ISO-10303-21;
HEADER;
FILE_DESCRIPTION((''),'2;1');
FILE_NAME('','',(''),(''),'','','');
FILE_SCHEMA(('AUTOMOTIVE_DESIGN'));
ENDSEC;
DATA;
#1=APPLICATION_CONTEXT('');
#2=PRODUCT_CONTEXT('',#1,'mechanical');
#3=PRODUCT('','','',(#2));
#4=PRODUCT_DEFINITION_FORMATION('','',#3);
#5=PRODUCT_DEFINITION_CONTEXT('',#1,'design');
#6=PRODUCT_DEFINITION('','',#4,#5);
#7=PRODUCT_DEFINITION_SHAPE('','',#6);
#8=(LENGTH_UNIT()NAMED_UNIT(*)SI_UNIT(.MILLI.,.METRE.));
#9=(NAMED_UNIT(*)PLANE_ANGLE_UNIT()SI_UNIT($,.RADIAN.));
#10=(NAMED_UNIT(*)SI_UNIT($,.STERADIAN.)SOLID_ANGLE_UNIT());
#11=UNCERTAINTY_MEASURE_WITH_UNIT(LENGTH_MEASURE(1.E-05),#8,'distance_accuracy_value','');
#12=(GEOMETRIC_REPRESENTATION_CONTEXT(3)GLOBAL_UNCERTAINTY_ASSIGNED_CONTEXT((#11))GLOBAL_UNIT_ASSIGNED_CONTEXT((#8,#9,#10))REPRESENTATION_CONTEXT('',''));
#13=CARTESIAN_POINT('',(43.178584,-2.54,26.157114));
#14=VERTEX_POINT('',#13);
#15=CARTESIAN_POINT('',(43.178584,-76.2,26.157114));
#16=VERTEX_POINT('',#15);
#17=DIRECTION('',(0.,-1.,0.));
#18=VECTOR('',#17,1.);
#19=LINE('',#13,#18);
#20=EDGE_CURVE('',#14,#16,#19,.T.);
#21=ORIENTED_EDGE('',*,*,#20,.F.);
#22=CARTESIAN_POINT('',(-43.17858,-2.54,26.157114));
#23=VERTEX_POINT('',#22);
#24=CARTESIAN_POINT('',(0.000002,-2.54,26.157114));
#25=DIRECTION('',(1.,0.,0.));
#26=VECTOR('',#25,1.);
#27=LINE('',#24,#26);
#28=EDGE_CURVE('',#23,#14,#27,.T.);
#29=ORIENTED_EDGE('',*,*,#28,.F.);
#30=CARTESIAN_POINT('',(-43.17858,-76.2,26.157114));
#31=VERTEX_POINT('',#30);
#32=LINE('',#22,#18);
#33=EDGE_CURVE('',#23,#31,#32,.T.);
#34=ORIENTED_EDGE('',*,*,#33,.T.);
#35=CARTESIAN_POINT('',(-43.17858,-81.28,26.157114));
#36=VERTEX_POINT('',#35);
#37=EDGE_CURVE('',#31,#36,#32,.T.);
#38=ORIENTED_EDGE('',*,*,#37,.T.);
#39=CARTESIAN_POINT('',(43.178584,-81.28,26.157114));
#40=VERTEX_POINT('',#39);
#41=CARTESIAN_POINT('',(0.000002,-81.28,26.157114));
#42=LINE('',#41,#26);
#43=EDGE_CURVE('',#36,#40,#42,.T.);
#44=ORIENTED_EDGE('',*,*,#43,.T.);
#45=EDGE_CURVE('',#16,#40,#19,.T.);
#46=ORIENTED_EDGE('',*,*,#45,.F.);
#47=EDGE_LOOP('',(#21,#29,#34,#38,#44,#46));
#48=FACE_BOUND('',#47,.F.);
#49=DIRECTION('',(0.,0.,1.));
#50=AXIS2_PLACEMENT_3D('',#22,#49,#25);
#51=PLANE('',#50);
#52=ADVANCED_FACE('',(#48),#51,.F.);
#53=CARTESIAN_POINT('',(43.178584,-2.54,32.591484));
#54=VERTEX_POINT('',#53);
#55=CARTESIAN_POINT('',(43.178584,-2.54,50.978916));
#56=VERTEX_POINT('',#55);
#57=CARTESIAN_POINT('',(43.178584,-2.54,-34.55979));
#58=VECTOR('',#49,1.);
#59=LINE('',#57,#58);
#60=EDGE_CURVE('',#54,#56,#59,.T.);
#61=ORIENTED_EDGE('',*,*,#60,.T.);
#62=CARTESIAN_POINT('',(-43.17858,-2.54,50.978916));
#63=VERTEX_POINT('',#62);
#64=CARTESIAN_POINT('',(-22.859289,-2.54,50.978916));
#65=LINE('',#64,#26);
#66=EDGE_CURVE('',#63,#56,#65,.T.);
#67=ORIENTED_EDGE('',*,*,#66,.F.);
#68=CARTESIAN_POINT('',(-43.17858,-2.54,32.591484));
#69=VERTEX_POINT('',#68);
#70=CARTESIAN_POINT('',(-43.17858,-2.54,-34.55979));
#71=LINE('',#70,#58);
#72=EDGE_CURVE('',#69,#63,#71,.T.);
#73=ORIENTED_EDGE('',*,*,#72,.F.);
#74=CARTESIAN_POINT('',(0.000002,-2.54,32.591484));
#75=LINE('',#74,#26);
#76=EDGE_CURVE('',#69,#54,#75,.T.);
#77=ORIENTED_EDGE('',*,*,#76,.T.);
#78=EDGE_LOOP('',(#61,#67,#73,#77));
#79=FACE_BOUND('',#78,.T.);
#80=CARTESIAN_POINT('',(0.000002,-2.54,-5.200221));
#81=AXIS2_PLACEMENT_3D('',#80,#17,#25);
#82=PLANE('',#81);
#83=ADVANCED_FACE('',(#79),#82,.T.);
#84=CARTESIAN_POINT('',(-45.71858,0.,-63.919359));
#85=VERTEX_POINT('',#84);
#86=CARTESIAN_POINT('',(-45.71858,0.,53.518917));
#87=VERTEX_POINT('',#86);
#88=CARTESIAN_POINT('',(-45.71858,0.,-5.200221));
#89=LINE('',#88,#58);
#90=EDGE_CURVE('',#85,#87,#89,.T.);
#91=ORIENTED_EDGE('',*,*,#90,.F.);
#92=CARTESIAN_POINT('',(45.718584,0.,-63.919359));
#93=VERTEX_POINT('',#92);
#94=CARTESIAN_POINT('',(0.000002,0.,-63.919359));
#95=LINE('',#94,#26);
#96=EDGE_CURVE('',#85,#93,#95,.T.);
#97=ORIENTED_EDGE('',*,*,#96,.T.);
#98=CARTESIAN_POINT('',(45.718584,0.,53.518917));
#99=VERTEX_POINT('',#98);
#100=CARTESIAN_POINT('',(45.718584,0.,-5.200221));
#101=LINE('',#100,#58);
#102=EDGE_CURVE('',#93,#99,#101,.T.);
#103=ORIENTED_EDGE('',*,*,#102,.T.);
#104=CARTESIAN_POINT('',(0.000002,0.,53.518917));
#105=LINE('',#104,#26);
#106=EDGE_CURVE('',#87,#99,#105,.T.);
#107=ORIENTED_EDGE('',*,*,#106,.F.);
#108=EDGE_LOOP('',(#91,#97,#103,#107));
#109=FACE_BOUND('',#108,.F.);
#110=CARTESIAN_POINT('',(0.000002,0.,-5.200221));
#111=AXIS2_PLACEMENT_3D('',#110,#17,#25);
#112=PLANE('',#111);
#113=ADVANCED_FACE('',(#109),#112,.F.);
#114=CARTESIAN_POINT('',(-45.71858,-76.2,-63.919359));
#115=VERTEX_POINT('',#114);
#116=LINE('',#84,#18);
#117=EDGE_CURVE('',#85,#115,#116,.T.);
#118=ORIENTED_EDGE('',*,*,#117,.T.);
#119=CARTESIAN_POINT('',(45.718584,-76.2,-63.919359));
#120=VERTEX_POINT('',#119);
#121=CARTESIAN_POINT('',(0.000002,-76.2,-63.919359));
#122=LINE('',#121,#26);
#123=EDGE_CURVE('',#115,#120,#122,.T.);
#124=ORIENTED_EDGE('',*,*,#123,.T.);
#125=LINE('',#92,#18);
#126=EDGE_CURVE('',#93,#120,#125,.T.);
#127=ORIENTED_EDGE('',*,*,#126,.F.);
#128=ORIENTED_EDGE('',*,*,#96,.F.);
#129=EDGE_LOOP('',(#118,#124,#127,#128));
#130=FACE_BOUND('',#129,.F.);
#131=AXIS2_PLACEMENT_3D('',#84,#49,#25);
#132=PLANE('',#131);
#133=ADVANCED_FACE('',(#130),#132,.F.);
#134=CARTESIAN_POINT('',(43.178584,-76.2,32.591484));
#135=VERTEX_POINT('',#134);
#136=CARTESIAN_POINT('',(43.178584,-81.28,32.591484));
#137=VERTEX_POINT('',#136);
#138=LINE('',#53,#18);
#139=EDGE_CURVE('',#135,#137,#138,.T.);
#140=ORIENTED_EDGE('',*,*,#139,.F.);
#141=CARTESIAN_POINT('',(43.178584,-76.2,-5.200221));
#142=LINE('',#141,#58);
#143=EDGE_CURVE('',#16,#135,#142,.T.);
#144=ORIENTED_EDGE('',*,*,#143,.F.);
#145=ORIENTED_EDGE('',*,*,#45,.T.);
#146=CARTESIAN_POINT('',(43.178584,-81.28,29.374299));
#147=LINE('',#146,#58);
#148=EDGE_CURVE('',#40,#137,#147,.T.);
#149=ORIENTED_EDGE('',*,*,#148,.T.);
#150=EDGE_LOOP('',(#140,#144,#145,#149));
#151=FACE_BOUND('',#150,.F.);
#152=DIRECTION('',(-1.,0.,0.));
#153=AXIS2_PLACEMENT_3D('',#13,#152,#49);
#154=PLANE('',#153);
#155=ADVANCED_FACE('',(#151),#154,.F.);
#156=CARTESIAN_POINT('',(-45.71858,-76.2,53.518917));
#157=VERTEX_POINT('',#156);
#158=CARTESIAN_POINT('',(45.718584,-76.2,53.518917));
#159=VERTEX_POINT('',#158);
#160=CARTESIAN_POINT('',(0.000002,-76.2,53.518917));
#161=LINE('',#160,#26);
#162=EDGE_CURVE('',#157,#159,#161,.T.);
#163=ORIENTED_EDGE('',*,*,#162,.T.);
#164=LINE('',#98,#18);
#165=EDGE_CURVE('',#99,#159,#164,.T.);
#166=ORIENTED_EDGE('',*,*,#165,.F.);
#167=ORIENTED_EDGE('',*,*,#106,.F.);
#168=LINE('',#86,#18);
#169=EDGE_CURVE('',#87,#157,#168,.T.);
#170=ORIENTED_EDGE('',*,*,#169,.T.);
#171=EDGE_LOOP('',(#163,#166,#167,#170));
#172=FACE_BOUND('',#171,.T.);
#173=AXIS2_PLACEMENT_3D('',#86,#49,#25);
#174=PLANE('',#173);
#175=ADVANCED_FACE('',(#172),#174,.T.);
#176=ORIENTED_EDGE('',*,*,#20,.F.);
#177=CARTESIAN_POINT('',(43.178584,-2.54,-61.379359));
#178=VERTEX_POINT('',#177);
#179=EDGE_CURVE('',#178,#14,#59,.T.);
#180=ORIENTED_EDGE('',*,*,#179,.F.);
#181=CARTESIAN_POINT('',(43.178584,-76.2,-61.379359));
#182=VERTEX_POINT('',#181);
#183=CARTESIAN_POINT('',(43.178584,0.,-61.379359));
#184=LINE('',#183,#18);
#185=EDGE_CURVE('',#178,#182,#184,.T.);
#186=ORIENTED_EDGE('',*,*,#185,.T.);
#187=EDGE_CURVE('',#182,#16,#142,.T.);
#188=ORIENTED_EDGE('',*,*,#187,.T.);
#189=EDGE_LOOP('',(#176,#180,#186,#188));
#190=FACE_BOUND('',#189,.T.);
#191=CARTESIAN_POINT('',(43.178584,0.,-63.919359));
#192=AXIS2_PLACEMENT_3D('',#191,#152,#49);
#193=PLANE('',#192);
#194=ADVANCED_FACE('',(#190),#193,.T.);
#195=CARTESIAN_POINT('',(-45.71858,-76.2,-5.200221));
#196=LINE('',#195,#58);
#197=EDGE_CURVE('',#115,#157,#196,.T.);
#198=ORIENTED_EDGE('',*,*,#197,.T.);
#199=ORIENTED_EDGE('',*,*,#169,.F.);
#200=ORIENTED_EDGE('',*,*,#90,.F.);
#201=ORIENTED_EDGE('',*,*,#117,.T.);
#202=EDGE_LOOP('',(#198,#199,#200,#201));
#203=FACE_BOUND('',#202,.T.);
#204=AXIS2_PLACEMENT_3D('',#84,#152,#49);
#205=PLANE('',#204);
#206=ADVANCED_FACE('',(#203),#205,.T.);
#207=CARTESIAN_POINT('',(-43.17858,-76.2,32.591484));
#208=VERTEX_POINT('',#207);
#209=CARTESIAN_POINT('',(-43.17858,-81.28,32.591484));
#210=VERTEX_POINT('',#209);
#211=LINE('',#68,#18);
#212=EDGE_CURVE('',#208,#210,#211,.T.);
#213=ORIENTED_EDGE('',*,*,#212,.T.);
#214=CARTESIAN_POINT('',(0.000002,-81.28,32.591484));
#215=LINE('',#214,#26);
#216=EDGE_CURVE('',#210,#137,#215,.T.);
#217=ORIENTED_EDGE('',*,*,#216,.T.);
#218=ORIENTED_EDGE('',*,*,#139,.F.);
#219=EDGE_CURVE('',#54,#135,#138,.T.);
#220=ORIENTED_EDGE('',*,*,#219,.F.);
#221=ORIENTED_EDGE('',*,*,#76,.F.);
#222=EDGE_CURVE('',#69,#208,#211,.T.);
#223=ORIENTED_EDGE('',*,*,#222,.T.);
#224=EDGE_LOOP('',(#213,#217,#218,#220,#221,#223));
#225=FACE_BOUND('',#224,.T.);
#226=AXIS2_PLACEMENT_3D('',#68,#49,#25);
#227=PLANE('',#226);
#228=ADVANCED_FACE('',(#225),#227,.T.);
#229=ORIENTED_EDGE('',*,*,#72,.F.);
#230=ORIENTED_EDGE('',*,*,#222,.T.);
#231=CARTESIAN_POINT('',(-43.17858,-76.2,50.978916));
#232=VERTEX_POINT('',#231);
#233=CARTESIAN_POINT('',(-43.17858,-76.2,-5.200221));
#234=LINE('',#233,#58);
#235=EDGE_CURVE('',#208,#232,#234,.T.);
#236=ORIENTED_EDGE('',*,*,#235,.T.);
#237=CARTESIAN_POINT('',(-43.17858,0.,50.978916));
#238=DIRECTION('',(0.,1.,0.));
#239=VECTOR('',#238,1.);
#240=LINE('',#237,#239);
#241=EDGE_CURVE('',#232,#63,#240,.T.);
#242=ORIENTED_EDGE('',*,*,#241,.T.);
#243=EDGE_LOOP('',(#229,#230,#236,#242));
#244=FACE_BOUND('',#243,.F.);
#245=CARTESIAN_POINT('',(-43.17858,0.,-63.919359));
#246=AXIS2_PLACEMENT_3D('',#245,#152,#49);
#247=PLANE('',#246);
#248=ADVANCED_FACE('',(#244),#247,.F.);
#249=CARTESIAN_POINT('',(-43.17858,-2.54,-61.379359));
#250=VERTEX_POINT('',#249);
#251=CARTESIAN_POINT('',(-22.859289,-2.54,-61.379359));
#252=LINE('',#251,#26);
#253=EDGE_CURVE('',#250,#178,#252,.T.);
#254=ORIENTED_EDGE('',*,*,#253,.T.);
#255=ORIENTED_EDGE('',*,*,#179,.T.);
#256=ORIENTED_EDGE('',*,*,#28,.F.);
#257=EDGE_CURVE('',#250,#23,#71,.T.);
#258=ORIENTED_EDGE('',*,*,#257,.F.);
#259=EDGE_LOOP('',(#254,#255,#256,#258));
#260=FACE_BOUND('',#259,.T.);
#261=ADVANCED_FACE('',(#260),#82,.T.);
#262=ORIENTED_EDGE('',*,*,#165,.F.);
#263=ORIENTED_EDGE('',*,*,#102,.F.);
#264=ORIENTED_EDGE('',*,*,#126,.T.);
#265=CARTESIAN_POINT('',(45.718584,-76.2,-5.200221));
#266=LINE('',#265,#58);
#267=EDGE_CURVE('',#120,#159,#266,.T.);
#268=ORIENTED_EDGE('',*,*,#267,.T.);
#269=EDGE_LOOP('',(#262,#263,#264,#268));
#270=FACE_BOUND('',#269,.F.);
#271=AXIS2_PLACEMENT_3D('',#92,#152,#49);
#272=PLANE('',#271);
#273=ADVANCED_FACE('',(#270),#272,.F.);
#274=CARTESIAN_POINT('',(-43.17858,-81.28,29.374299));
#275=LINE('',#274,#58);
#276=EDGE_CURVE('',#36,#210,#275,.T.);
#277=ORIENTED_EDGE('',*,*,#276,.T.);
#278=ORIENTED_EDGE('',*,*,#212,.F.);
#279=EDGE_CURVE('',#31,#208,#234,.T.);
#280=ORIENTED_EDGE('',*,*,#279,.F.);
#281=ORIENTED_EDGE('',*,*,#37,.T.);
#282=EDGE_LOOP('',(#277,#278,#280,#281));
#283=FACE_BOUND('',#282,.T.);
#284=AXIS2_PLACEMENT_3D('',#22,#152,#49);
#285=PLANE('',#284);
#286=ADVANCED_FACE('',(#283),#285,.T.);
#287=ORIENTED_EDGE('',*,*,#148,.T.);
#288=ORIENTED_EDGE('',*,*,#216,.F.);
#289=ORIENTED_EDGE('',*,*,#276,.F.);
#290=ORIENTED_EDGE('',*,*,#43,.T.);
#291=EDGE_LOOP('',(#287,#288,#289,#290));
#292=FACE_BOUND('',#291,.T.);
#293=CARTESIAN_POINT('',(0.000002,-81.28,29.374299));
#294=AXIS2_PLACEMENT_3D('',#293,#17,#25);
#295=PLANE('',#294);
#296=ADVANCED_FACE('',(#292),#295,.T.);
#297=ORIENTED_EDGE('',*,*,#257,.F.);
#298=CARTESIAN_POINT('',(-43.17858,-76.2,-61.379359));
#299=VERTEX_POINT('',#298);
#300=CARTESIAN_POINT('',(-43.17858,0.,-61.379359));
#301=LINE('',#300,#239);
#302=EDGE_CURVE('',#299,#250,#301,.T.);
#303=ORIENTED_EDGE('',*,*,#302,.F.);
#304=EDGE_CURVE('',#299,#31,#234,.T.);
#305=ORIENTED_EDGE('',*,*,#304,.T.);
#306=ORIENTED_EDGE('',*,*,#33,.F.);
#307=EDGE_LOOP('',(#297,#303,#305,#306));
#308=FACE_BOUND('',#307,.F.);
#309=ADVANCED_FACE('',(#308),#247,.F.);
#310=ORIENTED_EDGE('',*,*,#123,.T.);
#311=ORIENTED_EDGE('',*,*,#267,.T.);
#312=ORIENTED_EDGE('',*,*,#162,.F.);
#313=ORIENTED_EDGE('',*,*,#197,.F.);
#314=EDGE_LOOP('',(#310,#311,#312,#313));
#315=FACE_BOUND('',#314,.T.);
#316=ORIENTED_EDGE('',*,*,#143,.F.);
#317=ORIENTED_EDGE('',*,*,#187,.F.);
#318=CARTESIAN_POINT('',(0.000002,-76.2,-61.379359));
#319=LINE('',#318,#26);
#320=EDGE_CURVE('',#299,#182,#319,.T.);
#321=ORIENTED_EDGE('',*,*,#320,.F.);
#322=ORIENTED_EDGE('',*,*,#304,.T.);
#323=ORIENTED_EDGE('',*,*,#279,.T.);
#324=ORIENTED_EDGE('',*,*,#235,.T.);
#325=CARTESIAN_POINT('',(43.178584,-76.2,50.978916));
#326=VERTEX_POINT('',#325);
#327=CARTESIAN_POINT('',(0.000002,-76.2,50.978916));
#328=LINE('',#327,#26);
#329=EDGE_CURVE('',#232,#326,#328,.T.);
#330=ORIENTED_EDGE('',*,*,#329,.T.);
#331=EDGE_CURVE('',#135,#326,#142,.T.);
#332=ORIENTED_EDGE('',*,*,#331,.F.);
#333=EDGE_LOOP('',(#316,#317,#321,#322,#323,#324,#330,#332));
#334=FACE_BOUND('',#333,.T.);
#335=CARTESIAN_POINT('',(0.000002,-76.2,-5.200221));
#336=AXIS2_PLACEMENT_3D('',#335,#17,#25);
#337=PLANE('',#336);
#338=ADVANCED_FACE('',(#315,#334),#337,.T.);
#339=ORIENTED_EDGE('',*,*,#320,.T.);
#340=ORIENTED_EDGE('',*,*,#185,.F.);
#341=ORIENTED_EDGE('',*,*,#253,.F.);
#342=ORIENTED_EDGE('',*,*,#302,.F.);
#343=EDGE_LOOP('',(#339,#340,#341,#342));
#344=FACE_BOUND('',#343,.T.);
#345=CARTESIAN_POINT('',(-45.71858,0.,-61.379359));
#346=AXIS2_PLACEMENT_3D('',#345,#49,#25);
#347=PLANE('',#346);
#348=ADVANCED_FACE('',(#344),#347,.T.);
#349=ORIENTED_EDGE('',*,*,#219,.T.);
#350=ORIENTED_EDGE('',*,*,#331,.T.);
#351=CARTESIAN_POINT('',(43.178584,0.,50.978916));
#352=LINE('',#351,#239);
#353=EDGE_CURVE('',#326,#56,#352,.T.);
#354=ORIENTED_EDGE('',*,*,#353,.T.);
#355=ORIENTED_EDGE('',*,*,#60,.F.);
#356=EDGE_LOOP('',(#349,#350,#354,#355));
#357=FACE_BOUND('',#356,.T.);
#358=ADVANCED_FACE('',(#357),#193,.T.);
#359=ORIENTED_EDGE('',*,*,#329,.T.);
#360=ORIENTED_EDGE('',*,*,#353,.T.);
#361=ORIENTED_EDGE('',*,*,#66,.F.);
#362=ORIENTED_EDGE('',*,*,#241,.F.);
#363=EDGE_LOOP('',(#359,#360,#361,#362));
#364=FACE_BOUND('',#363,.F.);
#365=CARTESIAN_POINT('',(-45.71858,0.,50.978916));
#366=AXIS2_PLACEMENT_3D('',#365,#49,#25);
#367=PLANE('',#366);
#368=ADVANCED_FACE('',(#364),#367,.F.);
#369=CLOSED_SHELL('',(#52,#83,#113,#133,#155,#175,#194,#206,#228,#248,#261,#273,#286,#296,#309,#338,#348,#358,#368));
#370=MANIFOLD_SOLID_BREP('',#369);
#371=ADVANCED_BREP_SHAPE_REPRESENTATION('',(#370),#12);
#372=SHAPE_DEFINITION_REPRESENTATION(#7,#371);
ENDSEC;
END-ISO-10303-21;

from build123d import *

# Parameters (mm, degrees)
F0_W     = 91.437164
F0_H     = 117.438275
F1_DEPTH = 76.2
F2_T     = -2.54
F3_W     = 86.357164
F3_H     = 6.434369
F4_DEPTH = 78.74


with BuildPart() as f1:
    # F0 (on Front) → F1 (new body)
    with BuildSketch(Plane.XZ):
        with Locations((2e-06, -5.200221)):
            Rectangle(F0_W, F0_H)
    extrude(amount=F1_DEPTH)

    # F2
    f2_openings = [f1.faces().sort_by_distance(p)[0] for p in [
        (2e-06, -76.2, -5.20022),
    ]]
    offset(amount=F2_T, openings=f2_openings)

    # F3 (on face) → F4 (join)
    with BuildSketch(Plane.XZ.offset(2.54)):
        with Locations((2e-06, 29.374299)):
            Rectangle(F3_W, F3_H)
    extrude(amount=F4_DEPTH)


solid = f1.part
